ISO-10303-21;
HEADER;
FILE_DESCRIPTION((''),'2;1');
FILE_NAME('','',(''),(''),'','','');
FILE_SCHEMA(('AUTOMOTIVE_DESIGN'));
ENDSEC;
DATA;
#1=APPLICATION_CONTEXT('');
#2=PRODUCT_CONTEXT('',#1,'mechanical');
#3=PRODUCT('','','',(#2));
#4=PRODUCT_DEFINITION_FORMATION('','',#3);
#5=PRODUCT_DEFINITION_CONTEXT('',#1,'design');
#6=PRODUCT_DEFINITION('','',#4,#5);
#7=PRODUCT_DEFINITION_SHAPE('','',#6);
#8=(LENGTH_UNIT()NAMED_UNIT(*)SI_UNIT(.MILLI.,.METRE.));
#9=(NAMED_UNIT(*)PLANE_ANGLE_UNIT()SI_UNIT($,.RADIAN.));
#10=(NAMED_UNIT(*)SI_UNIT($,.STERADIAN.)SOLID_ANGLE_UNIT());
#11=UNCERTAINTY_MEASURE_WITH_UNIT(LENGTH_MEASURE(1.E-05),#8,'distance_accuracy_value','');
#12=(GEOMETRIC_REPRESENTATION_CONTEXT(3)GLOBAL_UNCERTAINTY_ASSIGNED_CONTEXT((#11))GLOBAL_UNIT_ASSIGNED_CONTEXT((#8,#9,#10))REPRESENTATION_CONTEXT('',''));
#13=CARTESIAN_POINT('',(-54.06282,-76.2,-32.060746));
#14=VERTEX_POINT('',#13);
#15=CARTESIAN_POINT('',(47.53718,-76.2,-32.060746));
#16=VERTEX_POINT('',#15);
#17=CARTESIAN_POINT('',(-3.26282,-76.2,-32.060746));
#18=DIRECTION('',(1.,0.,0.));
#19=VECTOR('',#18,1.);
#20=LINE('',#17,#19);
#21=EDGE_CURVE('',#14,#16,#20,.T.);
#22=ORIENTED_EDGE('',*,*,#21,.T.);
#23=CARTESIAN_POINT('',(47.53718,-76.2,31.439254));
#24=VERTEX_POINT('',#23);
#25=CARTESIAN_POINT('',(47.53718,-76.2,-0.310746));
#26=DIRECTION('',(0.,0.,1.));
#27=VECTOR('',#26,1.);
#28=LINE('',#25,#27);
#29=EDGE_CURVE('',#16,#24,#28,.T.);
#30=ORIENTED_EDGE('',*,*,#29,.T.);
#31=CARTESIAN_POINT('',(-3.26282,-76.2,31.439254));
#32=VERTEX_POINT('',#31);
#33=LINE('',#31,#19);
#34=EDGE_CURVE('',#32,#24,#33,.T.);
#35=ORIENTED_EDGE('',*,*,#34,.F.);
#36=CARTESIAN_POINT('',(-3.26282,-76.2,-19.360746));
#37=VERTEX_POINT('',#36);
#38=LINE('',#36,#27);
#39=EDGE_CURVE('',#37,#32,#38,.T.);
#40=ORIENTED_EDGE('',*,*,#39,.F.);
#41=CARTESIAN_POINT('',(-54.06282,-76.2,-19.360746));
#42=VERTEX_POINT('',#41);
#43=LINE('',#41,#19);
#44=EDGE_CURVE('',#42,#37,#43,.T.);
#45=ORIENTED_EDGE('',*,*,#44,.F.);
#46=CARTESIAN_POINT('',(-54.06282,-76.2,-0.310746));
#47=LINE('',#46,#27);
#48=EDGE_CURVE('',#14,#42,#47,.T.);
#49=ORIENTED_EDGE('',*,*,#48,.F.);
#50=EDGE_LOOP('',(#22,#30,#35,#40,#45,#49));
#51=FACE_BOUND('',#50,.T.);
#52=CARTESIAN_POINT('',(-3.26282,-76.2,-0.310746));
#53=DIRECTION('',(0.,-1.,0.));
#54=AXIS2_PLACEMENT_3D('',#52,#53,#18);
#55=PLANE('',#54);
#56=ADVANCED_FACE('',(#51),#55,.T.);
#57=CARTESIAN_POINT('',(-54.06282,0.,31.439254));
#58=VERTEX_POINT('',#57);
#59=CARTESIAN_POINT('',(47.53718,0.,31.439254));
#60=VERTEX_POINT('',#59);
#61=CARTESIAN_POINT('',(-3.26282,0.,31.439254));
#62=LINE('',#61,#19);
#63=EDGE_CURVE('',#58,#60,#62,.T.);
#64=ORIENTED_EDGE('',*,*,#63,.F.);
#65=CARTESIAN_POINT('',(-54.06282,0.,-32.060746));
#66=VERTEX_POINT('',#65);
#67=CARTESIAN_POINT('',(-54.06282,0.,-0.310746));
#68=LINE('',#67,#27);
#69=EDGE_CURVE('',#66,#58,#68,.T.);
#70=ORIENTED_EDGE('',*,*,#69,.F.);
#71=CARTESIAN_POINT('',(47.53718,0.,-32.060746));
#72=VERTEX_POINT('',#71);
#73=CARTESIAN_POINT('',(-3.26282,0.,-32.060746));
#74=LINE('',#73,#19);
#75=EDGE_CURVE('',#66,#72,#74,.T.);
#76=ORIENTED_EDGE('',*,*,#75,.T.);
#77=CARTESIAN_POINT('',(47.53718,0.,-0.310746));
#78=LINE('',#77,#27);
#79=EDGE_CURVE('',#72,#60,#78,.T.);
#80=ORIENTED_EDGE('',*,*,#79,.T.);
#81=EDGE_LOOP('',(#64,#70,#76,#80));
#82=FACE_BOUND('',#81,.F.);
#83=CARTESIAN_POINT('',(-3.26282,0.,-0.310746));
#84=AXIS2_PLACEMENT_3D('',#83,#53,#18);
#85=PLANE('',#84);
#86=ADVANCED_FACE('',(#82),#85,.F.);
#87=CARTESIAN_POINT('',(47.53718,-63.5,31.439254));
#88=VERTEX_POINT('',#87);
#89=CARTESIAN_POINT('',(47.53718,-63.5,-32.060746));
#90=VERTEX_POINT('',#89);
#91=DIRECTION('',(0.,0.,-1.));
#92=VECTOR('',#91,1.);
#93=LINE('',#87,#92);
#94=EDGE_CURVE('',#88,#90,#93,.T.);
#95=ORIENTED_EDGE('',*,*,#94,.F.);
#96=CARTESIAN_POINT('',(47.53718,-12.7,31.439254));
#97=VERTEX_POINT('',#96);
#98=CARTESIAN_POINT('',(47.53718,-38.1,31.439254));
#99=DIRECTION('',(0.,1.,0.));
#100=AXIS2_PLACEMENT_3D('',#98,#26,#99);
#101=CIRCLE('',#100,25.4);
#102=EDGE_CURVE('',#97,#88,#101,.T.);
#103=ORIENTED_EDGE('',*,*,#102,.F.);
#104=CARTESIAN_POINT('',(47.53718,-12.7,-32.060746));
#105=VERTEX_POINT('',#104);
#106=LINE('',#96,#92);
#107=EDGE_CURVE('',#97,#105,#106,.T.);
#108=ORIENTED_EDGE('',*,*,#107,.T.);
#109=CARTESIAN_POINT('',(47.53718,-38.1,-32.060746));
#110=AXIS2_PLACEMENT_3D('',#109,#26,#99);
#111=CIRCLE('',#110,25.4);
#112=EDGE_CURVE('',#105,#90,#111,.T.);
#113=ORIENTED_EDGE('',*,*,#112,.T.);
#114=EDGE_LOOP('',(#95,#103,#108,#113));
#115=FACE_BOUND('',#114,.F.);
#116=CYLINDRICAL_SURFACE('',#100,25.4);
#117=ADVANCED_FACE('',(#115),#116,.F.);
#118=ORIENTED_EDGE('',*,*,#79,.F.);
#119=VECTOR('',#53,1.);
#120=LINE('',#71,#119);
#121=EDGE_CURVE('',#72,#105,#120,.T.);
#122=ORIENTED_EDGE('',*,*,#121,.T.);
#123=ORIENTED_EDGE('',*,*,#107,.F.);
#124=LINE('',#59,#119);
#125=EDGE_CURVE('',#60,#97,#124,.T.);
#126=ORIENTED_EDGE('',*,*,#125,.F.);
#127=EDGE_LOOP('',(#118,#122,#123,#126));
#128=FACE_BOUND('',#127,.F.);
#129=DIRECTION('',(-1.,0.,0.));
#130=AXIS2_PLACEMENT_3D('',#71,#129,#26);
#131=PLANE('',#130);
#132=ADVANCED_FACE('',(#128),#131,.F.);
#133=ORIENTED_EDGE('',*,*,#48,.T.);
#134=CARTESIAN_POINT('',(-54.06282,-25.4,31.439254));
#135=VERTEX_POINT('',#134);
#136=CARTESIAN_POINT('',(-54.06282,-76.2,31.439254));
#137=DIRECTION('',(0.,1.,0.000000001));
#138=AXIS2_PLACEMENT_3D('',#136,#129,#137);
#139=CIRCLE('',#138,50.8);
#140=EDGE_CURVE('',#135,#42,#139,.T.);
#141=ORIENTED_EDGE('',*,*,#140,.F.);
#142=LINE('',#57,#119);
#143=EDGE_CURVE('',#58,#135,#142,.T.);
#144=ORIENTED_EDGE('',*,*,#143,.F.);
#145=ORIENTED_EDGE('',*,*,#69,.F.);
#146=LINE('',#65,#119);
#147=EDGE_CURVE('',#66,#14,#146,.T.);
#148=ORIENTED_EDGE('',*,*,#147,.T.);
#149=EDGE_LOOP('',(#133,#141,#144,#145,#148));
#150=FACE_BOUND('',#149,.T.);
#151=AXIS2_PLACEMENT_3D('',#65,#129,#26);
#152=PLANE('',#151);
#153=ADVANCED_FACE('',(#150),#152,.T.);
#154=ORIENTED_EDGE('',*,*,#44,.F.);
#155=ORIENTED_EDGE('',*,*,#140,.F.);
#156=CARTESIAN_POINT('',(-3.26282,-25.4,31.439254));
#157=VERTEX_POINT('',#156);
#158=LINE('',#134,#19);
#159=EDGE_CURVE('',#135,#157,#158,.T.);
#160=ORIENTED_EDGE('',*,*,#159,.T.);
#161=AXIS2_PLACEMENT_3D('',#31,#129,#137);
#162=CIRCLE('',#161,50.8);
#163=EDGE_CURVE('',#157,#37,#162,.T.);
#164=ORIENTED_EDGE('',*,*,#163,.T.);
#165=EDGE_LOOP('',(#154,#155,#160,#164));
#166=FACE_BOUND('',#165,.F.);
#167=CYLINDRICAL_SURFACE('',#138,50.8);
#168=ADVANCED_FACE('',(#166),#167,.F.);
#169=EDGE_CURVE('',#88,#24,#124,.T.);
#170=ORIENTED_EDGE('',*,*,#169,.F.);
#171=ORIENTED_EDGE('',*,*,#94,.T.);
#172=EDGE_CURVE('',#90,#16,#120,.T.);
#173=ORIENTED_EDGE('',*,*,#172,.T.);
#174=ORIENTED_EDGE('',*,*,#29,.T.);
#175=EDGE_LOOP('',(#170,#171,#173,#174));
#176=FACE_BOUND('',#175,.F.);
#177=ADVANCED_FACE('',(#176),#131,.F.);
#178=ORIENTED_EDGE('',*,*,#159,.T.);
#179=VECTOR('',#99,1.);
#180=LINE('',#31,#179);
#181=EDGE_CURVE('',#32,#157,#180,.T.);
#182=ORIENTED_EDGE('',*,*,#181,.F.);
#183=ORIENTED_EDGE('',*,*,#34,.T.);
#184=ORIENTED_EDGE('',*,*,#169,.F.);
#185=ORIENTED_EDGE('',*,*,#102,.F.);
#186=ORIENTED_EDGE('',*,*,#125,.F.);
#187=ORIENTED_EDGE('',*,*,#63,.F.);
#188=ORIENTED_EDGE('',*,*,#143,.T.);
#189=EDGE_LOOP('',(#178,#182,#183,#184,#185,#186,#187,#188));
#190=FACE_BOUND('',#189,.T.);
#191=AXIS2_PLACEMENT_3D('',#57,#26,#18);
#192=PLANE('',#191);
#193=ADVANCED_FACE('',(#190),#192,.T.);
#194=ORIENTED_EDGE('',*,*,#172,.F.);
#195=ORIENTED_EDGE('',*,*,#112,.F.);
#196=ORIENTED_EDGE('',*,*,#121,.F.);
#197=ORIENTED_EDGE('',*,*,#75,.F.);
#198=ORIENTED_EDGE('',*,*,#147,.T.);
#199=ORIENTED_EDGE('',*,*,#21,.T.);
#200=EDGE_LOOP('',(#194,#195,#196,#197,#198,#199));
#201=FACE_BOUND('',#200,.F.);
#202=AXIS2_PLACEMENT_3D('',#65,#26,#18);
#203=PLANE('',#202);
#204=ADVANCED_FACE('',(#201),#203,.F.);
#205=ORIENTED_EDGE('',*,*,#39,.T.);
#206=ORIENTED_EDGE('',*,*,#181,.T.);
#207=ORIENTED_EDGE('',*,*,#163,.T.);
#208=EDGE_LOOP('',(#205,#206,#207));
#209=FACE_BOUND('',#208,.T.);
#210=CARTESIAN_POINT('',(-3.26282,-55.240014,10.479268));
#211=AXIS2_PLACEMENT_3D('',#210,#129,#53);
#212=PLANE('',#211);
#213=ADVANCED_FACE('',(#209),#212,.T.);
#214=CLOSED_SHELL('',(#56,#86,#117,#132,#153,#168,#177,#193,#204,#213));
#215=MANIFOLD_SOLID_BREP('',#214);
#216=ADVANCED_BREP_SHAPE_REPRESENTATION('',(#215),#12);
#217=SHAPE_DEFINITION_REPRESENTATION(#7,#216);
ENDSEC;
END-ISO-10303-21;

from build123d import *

# Parameters (mm, degrees)
F0_W     = 101.6
F0_H     = 63.5
F1_DEPTH = 76.2
F3_DEPTH = 63.5
F5_DEPTH = 50.8


with BuildPart() as f1:
    # F0 (on Front) → F1 (new body)
    with BuildSketch(Plane.XZ):
        with Locations((-3.26282, -0.310746)):
            Rectangle(F0_W, F0_H)
    extrude(amount=F1_DEPTH)

    # F2 (on face) → F3 (cut)
    with BuildSketch(Plane.XY.offset(31.439254)):
        with BuildLine():
            Line((47.53718, -63.5), (47.53718, -12.7))
            ThreePointArc((47.53718, -12.7), (22.13718, -38.1), (47.53718, -63.5))
        make_face()
    extrude(amount=-F3_DEPTH, mode=Mode.SUBTRACT)

    # F4 (on face) → F5 (cut)
    with BuildSketch(Plane(origin=(-54.06282, 0, 0), x_dir=(0, -1, 0), z_dir=(-1, 0, 0))):
        with BuildLine():
            Line((76.2, 31.439254), (25.4, 31.439254))
            ThreePointArc((25.4, 31.439254), (40.278976, -4.481771), (76.2, -19.360746))
            Line((76.2, -19.360746), (76.2, 31.439254))
        make_face()
    extrude(amount=-F5_DEPTH, mode=Mode.SUBTRACT)


solid = f1.part
